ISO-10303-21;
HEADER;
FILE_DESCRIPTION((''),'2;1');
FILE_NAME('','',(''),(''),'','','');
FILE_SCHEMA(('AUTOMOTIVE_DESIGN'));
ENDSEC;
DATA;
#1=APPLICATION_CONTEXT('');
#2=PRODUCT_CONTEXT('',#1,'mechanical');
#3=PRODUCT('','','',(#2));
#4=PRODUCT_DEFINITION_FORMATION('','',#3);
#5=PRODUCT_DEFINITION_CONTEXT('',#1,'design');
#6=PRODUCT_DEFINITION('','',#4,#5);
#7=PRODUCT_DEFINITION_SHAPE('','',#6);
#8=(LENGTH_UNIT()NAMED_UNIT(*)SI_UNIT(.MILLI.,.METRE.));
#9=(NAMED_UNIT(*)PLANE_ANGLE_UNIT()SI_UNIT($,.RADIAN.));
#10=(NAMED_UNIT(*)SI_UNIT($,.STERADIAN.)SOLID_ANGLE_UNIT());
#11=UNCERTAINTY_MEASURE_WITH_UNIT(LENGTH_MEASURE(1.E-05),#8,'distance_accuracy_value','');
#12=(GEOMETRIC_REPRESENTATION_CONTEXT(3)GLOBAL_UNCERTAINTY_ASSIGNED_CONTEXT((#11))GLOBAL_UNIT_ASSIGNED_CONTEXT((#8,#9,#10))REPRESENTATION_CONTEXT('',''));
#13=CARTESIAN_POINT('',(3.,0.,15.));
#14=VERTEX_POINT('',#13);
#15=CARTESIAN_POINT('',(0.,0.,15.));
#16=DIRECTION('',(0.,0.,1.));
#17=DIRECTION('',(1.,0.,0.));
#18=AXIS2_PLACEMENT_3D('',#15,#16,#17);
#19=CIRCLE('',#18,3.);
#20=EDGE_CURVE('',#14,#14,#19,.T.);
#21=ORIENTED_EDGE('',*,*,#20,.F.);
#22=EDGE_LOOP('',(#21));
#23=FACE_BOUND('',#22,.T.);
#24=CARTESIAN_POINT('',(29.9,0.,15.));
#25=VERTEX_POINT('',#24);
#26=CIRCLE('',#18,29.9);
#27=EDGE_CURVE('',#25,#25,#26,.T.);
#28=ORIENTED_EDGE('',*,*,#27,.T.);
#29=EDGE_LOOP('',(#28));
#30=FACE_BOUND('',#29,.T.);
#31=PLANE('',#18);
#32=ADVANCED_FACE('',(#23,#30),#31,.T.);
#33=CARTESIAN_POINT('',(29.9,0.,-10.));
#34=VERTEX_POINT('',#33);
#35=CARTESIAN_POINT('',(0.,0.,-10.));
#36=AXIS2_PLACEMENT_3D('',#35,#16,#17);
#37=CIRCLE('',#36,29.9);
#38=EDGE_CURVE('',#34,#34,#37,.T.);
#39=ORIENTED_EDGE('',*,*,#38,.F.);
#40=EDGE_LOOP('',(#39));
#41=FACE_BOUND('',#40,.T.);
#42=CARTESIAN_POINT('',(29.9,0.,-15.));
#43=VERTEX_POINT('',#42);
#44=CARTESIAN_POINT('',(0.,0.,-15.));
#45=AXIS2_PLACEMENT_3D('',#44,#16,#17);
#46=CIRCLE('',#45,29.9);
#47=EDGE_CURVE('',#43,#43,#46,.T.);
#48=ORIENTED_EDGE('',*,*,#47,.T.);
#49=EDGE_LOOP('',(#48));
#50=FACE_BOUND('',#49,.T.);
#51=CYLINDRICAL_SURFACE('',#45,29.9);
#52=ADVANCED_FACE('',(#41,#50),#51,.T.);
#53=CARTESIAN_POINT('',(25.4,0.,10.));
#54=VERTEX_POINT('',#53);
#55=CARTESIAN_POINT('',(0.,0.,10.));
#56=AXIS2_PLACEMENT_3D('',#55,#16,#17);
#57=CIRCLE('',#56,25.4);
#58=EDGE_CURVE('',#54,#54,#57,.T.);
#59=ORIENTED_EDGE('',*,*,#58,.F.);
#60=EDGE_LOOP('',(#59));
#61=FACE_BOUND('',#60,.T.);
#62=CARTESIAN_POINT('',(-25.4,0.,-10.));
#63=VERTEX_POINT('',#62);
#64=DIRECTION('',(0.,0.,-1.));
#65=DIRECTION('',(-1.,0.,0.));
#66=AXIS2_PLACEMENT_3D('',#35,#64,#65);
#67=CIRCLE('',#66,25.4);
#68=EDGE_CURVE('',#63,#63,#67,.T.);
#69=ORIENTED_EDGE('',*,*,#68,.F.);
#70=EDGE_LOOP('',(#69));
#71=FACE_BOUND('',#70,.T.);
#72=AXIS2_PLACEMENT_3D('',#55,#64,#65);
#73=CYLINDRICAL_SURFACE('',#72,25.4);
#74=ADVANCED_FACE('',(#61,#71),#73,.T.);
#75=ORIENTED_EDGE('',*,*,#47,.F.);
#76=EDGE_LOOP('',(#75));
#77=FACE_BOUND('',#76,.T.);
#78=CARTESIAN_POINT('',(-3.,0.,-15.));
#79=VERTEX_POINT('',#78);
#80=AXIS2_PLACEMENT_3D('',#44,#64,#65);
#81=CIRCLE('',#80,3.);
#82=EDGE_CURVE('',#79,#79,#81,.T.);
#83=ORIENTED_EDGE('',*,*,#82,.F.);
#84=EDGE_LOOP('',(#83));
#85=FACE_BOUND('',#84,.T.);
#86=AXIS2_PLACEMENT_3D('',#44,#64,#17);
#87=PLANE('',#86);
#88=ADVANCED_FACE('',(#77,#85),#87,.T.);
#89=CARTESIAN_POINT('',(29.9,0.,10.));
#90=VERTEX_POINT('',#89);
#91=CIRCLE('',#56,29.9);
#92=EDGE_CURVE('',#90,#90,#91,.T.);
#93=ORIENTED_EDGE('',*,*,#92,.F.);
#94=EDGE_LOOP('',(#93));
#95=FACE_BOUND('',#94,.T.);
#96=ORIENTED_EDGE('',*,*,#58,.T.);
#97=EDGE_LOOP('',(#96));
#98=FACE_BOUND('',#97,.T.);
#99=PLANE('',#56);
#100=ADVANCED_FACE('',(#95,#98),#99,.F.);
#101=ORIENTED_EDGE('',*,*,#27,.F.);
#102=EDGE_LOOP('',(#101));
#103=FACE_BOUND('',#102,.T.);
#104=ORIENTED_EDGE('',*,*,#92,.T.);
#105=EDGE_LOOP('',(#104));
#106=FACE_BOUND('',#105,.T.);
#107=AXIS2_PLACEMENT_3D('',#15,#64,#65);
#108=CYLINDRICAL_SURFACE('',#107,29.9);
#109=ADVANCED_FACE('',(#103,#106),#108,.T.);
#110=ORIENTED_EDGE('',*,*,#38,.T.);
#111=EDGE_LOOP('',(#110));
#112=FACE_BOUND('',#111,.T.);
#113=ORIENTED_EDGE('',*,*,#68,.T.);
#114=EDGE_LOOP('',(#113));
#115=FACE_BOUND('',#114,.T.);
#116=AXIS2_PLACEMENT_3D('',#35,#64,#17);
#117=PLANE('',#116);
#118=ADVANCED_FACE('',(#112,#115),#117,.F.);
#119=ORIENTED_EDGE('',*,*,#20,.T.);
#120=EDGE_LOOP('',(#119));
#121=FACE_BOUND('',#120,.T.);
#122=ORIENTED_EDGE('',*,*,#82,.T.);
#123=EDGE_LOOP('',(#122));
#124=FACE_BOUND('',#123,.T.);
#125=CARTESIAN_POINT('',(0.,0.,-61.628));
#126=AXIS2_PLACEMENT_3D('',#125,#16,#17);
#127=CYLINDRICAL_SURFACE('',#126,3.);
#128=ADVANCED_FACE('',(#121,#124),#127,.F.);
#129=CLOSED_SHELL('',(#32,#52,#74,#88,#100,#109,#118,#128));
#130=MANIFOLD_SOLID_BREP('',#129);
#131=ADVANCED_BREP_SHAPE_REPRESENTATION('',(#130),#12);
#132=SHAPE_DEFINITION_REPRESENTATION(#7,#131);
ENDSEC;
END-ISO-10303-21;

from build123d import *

# Parameters (mm, degrees)
SKETCH1_R           = 25.4
BOSS_EXTRUDE1_DEPTH = 10
SKETCH2_R           = 29.9
BOSS_EXTRUDE2_DEPTH = 5
SKETCH3_R           = 3
CUT_EXTRUDE1_DEPTH  = 76.628


with BuildPart() as part:
    # Sketch1 → Boss-Extrude1 (new body, symmetric)
    with BuildSketch(Plane.XY):
        Circle(SKETCH1_R)
    extrude(amount=BOSS_EXTRUDE1_DEPTH, both=True)

    # Sketch2 → Boss-Extrude2 (add)
    with BuildSketch(Plane.XY.offset(10)):
        Circle(SKETCH2_R)
    boss_extrude2 = extrude(amount=BOSS_EXTRUDE2_DEPTH)

    # Mirror1: Boss-Extrude2 across plane
    add(boss_extrude2.mirror(Plane.XY))

    # Sketch3 → Cut-Extrude1 (cut)
    with BuildSketch(Plane.XY.offset(15)):
        Circle(SKETCH3_R)
    extrude(amount=-CUT_EXTRUDE1_DEPTH, mode=Mode.SUBTRACT)


solid = part.part
